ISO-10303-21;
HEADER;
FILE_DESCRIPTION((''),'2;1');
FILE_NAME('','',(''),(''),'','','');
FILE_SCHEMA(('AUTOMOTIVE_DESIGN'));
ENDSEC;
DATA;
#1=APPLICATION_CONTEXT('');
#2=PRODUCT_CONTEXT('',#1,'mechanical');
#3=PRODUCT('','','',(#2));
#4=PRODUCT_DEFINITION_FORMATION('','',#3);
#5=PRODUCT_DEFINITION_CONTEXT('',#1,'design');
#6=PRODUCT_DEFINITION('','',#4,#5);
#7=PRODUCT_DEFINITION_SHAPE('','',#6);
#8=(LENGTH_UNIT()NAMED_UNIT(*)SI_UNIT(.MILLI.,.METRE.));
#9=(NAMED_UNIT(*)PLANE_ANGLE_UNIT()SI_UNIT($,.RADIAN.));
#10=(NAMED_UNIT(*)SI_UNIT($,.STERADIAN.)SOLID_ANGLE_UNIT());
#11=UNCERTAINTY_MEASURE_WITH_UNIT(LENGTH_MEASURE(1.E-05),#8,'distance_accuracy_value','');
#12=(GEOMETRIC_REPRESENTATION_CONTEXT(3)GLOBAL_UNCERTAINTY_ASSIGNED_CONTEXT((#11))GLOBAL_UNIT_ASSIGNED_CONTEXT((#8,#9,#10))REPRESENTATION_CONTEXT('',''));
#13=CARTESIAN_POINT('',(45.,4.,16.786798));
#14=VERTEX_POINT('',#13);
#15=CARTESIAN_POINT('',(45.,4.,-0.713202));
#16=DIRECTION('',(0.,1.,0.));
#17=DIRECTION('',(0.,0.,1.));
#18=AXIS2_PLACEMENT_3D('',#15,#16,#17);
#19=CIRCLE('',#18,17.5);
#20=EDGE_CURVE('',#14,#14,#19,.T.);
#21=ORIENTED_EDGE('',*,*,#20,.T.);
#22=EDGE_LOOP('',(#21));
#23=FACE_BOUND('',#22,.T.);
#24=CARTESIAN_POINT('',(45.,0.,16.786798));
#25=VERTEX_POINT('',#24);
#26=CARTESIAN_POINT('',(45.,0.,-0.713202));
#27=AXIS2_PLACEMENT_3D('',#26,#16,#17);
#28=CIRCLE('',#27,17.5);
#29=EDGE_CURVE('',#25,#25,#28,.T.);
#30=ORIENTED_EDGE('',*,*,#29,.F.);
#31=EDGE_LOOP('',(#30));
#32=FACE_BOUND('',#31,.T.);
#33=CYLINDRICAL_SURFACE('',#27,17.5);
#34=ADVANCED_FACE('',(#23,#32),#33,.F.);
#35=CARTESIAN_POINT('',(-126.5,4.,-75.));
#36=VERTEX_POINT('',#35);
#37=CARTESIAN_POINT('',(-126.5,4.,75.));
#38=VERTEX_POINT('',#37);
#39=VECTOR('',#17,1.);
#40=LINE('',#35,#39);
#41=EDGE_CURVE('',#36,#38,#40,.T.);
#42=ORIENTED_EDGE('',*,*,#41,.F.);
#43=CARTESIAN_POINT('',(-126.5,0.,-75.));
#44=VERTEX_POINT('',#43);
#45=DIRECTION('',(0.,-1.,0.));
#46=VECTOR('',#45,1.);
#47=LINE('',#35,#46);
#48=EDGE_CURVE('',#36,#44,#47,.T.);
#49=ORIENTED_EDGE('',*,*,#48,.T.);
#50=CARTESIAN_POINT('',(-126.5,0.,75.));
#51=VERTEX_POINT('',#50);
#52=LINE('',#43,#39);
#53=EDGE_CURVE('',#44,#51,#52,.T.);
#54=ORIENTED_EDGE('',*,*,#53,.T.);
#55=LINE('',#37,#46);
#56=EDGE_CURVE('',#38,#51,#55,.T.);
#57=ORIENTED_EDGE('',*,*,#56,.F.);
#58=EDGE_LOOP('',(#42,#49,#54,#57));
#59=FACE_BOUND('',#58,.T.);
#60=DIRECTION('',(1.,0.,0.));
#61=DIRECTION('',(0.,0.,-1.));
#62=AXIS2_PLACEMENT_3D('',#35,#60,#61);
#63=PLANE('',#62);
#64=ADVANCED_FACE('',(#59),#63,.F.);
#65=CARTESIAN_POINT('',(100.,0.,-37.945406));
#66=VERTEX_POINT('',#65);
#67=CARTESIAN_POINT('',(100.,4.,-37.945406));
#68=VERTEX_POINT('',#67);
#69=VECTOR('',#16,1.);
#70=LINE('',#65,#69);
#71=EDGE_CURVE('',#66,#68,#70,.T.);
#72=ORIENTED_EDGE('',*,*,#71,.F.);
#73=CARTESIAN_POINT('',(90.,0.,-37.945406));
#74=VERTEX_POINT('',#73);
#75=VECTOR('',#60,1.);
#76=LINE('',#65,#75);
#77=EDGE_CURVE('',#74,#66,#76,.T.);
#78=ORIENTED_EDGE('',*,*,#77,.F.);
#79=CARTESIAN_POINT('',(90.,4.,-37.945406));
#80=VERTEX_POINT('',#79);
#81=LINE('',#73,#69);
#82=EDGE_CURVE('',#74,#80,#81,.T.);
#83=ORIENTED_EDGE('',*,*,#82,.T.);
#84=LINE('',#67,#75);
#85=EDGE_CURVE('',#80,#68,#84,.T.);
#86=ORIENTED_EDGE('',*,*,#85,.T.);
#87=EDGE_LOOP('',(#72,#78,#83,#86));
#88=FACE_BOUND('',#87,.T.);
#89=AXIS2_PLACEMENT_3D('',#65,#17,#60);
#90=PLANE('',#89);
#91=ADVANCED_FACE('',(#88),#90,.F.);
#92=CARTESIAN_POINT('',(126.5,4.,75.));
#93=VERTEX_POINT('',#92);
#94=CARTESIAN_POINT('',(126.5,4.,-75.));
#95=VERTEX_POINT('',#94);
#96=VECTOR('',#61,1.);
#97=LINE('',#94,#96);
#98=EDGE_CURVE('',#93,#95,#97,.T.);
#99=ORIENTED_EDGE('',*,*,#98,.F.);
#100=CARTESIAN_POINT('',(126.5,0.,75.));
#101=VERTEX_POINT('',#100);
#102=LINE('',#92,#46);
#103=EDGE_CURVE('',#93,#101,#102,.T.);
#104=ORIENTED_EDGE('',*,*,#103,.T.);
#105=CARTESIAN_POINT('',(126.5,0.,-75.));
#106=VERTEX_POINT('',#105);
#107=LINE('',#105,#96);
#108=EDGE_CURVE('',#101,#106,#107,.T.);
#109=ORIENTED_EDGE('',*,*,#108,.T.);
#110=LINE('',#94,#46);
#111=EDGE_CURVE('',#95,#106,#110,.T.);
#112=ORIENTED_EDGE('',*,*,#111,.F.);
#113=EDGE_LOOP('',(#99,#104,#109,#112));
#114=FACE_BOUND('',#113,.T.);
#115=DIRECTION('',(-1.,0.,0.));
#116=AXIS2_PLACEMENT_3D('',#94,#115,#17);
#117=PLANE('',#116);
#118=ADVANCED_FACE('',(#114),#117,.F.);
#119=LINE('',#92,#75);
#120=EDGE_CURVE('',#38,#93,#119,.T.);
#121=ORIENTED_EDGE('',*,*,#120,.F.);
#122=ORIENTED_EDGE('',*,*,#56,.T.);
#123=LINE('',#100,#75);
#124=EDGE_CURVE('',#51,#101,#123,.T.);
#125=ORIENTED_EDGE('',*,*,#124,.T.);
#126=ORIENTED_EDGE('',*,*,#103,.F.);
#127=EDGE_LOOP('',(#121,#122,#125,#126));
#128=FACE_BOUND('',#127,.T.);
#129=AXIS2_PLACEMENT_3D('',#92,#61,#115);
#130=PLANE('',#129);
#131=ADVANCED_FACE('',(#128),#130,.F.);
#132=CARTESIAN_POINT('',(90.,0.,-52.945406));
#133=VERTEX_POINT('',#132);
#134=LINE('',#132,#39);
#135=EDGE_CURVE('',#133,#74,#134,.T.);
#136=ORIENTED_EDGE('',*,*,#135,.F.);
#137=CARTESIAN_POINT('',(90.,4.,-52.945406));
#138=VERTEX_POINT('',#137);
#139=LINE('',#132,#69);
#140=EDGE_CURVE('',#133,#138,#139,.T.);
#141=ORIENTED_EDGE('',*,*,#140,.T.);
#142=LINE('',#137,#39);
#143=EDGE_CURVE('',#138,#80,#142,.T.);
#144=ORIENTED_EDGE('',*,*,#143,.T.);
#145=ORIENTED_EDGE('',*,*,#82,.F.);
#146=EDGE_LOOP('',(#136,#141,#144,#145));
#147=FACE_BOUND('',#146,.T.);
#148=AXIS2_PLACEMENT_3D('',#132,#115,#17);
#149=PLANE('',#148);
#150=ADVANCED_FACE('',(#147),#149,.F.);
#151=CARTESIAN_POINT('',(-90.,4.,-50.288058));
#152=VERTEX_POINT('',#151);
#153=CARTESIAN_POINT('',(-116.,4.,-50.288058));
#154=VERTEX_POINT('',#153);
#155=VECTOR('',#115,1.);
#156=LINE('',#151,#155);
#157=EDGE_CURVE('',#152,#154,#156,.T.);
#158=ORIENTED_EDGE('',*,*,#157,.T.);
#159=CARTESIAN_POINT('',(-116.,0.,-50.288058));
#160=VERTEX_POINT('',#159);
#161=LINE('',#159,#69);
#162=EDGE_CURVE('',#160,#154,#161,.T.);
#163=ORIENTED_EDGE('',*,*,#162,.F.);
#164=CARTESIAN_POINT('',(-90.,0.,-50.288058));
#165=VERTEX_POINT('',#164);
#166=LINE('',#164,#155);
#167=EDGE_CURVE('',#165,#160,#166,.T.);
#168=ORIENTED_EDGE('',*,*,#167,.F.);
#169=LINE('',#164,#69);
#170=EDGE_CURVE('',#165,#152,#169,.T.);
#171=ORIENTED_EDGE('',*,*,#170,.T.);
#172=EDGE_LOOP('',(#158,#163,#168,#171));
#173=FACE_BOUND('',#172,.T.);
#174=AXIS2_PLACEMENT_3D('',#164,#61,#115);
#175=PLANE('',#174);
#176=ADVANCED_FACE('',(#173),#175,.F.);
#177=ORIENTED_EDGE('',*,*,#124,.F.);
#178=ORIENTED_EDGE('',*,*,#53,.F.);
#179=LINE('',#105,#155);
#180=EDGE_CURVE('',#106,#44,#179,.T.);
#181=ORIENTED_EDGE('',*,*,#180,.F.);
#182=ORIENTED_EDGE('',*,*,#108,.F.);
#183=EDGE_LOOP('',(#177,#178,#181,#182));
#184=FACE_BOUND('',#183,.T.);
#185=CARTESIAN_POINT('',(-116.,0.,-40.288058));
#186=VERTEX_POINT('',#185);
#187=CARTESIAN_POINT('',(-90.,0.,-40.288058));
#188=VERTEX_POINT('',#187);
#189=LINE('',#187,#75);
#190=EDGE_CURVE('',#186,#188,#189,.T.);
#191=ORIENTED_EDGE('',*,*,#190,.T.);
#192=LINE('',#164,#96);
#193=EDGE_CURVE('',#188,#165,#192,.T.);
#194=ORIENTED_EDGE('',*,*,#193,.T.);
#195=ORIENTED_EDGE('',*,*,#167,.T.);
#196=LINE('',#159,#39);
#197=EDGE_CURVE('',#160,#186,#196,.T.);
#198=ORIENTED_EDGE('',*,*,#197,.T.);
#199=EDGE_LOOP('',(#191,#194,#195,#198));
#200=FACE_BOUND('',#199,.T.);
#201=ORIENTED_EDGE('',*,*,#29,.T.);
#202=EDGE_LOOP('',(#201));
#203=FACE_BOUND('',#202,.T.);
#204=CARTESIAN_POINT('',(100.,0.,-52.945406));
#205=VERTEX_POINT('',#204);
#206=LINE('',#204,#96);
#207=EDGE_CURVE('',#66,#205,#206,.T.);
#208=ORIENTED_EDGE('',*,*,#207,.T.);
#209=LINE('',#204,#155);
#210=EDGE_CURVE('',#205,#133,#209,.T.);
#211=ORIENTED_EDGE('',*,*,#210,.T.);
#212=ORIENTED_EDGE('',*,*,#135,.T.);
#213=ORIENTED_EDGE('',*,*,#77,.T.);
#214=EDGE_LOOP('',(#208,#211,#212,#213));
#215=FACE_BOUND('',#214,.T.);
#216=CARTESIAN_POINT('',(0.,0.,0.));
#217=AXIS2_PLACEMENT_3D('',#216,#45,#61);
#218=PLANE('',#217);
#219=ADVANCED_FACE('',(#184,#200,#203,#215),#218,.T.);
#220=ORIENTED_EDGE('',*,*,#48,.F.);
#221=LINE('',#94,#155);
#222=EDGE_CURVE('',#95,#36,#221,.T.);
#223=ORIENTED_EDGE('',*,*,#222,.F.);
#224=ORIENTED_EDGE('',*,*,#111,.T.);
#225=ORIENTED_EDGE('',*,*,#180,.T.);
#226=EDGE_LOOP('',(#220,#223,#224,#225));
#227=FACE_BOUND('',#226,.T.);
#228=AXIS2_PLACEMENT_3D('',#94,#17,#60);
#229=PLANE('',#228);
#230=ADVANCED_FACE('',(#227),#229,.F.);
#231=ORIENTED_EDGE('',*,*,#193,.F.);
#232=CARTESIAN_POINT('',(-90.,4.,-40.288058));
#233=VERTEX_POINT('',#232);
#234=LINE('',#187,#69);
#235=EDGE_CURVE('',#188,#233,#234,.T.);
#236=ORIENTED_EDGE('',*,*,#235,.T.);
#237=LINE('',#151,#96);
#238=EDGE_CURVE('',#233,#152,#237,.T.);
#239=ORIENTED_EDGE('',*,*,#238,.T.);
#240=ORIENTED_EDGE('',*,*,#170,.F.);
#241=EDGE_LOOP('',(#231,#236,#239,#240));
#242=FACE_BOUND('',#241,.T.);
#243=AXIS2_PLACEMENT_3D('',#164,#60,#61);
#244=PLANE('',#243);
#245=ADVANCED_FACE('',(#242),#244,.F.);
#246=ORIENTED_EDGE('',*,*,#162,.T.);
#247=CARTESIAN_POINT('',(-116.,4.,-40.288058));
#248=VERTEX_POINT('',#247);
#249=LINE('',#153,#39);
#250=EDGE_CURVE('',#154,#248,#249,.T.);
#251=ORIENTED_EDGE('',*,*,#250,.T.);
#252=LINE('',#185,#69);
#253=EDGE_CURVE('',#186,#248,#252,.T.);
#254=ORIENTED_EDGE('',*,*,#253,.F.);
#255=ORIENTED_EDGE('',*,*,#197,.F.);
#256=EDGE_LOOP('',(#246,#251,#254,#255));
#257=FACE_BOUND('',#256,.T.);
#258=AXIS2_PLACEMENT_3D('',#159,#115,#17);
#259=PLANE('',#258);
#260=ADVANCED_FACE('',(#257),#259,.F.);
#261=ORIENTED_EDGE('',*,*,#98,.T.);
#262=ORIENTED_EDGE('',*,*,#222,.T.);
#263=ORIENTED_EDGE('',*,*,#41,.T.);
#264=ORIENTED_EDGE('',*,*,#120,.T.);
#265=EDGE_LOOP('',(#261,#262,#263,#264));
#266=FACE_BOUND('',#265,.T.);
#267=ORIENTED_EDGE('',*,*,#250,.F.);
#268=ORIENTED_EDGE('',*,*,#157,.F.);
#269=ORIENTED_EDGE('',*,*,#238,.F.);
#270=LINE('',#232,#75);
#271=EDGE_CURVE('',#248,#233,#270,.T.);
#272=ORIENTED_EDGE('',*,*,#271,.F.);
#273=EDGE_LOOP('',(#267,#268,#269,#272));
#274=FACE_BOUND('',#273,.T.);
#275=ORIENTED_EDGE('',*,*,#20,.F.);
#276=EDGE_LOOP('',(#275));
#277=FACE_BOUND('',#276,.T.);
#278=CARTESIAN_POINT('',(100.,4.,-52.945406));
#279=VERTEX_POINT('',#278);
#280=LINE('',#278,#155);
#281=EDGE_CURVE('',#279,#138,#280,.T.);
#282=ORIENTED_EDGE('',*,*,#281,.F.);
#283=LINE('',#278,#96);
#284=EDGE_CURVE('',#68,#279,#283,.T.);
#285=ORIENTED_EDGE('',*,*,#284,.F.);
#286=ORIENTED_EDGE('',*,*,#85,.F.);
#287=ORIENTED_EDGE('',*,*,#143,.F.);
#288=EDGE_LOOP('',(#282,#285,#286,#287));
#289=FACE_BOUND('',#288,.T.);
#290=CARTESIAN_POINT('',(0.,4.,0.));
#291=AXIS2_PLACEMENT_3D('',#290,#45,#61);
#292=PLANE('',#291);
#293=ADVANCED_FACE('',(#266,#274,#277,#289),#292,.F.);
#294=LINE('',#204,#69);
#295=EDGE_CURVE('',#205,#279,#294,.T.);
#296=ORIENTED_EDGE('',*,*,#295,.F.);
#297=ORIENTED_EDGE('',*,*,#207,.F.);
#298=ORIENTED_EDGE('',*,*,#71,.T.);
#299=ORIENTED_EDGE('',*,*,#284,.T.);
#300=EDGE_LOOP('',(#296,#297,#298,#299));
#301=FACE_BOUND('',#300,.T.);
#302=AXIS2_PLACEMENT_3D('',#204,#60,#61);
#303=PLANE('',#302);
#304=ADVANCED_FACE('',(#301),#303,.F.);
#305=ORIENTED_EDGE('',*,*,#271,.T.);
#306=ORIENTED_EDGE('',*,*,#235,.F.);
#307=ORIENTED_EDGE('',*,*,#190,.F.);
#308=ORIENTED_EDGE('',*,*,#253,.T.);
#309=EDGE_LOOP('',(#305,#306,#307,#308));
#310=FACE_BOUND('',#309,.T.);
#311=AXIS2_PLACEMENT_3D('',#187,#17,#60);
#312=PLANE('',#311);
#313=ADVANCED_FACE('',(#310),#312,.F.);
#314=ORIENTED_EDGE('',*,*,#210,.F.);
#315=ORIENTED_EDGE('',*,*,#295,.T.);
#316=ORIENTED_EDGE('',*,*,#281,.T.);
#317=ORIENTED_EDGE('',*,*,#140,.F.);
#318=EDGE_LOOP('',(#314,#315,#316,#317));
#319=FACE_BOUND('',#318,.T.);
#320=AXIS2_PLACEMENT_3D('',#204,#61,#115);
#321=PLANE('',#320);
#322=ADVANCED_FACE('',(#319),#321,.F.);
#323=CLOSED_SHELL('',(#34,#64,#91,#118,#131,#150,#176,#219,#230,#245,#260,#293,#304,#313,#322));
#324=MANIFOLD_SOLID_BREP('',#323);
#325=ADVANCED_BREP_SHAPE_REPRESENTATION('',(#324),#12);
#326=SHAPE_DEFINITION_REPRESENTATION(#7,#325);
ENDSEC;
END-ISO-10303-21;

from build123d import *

# Parameters (mm, degrees)
SKETCH2_W           = 253
SKETCH2_H           = 150
BOSS_EXTRUDE1_DEPTH = 4
SKETCH3_R           = 17.5
SKETCH3_W           = 26
SKETCH3_H           = 10
SKETCH3_W_2         = 10
SKETCH3_H_2         = 15
CUT_EXTRUDE1_DEPTH  = 148.116450474


with BuildPart() as part:
    # Sketch2 → Boss-Extrude1 (new body)
    with BuildSketch(Plane(origin=(0, 0, 0), x_dir=(1, 0, 0), z_dir=(0, 1, 0))):
        Rectangle(SKETCH2_W, SKETCH2_H)
    extrude(amount=BOSS_EXTRUDE1_DEPTH)

    # Sketch3 → Cut-Extrude1 (cut, through all)
    with BuildSketch(Plane(origin=(0, 4, 0), x_dir=(1, 0, 0), z_dir=(0, 1, 0))):
        with Locations(Location((45, 0.713202338, 0), (0, 0, 270))):
            Circle(SKETCH3_R)
        with Locations((-103, 45.288057663)):
            Rectangle(SKETCH3_W, SKETCH3_H)
        with Locations((95, 45.445405543)):
            Rectangle(SKETCH3_W_2, SKETCH3_H_2)
    extrude(amount=-CUT_EXTRUDE1_DEPTH, mode=Mode.SUBTRACT)


solid = part.part
